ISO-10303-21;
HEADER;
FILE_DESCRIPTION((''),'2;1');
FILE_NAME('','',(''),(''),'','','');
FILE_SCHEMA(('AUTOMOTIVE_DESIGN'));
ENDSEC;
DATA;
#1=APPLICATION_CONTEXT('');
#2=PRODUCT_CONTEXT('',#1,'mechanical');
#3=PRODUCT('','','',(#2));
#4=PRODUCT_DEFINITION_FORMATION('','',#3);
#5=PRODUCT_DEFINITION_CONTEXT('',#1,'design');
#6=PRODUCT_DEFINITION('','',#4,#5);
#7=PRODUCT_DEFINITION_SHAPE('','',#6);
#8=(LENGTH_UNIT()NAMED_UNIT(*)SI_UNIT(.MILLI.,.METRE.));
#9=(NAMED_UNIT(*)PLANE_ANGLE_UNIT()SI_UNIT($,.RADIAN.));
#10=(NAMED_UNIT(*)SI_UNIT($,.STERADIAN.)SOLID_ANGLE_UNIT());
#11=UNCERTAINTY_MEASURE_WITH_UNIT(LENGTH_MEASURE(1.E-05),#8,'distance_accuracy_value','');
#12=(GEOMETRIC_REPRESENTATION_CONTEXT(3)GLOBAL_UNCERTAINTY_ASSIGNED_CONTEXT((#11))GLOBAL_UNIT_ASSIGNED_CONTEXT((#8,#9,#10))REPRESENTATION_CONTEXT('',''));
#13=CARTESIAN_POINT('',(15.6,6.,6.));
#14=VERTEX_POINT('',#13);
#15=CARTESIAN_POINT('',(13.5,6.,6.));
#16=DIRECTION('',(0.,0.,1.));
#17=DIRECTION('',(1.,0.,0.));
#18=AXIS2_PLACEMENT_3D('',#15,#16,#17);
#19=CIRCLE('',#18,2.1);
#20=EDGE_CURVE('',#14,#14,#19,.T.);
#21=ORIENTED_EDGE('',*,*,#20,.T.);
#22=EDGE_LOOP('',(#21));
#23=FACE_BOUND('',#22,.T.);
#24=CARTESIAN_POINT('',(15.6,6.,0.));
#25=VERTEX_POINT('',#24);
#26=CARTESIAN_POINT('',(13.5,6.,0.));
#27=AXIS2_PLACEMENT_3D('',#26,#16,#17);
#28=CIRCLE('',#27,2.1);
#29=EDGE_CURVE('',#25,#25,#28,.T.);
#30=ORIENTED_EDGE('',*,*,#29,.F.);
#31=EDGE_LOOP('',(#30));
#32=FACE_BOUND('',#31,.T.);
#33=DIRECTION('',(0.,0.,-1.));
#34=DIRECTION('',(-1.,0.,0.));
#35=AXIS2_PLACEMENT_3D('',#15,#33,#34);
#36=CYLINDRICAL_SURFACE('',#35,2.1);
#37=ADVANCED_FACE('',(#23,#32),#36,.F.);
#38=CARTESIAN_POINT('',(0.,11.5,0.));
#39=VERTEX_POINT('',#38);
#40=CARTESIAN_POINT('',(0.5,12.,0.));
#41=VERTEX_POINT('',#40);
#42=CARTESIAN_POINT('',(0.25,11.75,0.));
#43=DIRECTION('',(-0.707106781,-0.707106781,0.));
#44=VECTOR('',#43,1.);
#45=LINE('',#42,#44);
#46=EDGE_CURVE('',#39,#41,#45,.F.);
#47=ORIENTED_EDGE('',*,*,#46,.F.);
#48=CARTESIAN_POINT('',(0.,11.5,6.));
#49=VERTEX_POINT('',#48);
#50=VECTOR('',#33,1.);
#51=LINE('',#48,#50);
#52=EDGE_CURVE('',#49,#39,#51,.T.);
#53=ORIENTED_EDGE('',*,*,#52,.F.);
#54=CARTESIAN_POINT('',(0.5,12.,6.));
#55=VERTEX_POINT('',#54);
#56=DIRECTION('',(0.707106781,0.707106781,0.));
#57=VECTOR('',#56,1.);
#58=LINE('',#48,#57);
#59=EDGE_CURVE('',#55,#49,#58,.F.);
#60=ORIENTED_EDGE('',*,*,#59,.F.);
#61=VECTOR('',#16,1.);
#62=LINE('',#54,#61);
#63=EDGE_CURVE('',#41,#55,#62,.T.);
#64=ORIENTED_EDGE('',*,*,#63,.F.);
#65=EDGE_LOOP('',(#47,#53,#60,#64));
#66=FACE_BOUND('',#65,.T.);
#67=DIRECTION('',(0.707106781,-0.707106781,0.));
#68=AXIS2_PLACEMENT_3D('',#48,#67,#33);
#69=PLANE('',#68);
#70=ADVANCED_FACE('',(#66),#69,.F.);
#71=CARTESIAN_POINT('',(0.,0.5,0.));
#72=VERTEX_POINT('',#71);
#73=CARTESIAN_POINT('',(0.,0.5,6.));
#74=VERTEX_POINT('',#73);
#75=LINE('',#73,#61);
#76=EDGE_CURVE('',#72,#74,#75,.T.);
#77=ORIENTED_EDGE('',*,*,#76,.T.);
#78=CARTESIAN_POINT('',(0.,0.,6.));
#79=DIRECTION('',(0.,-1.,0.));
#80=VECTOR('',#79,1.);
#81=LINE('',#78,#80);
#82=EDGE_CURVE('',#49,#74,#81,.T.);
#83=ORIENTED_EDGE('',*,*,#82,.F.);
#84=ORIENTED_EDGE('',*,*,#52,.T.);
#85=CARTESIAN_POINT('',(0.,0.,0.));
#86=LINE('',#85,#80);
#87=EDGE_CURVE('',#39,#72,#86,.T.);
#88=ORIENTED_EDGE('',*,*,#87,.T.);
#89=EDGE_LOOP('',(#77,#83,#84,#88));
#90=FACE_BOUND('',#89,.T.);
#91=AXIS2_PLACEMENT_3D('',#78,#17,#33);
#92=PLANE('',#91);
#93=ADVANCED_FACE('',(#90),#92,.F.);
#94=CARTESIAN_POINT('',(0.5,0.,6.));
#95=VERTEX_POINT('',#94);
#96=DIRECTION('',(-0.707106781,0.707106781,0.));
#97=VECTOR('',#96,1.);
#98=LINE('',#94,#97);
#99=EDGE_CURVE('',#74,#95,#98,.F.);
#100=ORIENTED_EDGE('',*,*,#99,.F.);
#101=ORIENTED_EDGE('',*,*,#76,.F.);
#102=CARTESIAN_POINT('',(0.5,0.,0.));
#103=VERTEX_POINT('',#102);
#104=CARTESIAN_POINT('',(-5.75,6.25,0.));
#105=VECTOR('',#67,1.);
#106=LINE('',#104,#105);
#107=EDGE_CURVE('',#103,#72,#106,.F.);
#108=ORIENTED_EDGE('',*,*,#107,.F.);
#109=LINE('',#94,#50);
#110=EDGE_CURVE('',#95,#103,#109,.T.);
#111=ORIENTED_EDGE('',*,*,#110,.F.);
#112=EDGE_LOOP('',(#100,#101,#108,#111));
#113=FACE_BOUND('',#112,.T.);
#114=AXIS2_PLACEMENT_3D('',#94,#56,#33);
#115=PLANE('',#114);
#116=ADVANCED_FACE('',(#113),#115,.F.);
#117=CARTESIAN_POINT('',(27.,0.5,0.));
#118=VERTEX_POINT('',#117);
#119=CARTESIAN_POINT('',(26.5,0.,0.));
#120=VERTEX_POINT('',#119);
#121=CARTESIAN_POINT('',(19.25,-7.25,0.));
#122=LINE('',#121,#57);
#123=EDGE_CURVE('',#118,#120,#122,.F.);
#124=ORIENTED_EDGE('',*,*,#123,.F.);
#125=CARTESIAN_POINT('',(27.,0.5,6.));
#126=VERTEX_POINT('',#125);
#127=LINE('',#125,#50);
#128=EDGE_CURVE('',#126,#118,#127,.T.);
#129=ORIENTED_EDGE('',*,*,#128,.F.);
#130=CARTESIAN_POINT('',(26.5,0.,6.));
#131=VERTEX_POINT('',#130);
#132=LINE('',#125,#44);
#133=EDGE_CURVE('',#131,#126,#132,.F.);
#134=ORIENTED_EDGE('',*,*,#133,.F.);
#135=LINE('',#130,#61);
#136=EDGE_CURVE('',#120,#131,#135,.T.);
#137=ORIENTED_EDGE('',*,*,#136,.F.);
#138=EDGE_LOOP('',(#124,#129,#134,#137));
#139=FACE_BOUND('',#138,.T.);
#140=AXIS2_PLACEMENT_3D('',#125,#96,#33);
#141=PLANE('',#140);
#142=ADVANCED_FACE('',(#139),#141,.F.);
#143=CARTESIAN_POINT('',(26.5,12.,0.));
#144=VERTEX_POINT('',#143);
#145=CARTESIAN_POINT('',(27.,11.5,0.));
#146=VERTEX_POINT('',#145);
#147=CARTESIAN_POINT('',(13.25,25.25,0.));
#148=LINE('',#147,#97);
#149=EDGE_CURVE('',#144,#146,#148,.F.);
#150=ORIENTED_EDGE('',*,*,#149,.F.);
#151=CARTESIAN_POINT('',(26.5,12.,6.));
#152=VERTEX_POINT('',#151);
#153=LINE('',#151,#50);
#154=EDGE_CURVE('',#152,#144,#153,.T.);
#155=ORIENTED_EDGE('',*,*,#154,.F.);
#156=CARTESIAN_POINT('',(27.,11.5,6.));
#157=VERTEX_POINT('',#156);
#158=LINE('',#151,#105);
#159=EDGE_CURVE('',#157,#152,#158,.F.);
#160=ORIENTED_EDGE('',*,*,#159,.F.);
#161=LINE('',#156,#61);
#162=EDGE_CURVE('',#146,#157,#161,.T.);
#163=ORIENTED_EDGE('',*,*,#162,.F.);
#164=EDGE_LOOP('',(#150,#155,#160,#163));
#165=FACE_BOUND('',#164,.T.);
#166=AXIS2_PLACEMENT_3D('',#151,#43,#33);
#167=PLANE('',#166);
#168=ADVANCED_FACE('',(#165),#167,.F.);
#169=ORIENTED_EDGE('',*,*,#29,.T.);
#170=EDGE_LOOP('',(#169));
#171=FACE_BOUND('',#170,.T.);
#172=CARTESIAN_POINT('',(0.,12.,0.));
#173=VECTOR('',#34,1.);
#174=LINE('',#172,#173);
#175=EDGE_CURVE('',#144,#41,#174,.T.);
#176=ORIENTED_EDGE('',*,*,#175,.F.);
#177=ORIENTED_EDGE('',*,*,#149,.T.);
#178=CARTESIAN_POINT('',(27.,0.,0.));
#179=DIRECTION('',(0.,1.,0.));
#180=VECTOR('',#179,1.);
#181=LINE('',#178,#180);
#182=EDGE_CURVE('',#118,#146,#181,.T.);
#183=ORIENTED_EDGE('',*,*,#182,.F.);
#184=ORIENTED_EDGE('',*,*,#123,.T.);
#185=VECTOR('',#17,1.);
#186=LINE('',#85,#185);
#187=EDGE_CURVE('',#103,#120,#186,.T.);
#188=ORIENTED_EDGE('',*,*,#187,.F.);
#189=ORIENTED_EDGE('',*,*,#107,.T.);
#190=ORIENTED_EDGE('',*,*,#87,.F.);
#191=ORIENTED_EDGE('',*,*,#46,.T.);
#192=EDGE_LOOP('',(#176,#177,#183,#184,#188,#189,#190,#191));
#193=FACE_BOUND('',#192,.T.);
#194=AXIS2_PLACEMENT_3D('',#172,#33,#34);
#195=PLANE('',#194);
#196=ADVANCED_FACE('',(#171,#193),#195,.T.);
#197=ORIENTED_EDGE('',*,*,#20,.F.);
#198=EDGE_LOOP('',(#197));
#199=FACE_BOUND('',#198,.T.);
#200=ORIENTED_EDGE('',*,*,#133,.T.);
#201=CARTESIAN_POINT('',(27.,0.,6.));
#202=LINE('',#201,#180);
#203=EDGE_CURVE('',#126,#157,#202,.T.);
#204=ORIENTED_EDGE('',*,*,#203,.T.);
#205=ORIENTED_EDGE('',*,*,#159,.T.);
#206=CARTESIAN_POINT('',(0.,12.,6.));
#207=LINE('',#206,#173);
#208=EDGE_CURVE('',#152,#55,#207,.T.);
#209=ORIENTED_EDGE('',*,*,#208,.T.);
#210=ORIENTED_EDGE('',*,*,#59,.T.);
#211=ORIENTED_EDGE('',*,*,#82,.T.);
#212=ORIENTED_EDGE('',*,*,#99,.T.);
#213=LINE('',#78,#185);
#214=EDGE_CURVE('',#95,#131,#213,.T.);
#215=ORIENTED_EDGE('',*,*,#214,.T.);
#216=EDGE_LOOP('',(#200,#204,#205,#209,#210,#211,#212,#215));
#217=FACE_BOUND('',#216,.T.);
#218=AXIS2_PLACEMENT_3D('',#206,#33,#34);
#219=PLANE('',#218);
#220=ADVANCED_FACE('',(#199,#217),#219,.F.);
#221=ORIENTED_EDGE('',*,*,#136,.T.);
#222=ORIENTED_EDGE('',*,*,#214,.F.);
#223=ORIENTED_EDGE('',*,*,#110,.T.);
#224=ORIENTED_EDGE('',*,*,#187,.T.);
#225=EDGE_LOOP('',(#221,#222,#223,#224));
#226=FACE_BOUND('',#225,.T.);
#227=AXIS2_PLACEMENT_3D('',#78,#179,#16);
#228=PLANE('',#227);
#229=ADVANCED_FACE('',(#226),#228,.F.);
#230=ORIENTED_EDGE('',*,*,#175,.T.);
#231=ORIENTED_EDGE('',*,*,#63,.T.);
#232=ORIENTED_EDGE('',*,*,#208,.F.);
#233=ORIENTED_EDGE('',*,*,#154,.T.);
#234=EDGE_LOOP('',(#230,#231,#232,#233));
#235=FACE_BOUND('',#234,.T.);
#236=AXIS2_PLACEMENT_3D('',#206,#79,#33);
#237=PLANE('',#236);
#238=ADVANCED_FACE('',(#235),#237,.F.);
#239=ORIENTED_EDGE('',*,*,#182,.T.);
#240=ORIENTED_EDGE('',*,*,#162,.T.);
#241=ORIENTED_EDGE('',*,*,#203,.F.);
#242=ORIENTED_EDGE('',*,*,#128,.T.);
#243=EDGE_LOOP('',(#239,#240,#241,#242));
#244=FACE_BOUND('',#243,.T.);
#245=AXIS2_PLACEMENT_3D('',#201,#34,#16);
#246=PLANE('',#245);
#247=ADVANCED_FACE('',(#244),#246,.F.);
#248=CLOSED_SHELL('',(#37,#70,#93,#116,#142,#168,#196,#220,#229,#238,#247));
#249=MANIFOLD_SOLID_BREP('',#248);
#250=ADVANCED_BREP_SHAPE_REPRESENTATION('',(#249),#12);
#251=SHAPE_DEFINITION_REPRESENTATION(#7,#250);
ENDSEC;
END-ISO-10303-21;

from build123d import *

# Parameters (mm, degrees)
SKETCH1_W           = 27
SKETCH1_H           = 12
SKETCH1_R           = 2.1
BOSS_EXTRUDE1_DEPTH = 6
CHAMFER1_SIZE       = 0.5


with BuildPart() as part:
    # Sketch1 → Boss-Extrude1 (new body)
    with BuildSketch(Plane.XY):
        with Locations((13.5, 6)):
            Rectangle(SKETCH1_W, SKETCH1_H)
        with Locations((13.5, 6)):
            Circle(SKETCH1_R, mode=Mode.SUBTRACT)
    extrude(amount=BOSS_EXTRUDE1_DEPTH)

    # Chamfer1
    chamfer1_edges = [part.edges().sort_by_distance(p)[0] for p in [
        (0, 12, 3),
        (27, 12, 3),
        (27, 0, 3),
        (0, 0, 3),
    ]]
    chamfer(chamfer1_edges, length=CHAMFER1_SIZE)


solid = part.part
